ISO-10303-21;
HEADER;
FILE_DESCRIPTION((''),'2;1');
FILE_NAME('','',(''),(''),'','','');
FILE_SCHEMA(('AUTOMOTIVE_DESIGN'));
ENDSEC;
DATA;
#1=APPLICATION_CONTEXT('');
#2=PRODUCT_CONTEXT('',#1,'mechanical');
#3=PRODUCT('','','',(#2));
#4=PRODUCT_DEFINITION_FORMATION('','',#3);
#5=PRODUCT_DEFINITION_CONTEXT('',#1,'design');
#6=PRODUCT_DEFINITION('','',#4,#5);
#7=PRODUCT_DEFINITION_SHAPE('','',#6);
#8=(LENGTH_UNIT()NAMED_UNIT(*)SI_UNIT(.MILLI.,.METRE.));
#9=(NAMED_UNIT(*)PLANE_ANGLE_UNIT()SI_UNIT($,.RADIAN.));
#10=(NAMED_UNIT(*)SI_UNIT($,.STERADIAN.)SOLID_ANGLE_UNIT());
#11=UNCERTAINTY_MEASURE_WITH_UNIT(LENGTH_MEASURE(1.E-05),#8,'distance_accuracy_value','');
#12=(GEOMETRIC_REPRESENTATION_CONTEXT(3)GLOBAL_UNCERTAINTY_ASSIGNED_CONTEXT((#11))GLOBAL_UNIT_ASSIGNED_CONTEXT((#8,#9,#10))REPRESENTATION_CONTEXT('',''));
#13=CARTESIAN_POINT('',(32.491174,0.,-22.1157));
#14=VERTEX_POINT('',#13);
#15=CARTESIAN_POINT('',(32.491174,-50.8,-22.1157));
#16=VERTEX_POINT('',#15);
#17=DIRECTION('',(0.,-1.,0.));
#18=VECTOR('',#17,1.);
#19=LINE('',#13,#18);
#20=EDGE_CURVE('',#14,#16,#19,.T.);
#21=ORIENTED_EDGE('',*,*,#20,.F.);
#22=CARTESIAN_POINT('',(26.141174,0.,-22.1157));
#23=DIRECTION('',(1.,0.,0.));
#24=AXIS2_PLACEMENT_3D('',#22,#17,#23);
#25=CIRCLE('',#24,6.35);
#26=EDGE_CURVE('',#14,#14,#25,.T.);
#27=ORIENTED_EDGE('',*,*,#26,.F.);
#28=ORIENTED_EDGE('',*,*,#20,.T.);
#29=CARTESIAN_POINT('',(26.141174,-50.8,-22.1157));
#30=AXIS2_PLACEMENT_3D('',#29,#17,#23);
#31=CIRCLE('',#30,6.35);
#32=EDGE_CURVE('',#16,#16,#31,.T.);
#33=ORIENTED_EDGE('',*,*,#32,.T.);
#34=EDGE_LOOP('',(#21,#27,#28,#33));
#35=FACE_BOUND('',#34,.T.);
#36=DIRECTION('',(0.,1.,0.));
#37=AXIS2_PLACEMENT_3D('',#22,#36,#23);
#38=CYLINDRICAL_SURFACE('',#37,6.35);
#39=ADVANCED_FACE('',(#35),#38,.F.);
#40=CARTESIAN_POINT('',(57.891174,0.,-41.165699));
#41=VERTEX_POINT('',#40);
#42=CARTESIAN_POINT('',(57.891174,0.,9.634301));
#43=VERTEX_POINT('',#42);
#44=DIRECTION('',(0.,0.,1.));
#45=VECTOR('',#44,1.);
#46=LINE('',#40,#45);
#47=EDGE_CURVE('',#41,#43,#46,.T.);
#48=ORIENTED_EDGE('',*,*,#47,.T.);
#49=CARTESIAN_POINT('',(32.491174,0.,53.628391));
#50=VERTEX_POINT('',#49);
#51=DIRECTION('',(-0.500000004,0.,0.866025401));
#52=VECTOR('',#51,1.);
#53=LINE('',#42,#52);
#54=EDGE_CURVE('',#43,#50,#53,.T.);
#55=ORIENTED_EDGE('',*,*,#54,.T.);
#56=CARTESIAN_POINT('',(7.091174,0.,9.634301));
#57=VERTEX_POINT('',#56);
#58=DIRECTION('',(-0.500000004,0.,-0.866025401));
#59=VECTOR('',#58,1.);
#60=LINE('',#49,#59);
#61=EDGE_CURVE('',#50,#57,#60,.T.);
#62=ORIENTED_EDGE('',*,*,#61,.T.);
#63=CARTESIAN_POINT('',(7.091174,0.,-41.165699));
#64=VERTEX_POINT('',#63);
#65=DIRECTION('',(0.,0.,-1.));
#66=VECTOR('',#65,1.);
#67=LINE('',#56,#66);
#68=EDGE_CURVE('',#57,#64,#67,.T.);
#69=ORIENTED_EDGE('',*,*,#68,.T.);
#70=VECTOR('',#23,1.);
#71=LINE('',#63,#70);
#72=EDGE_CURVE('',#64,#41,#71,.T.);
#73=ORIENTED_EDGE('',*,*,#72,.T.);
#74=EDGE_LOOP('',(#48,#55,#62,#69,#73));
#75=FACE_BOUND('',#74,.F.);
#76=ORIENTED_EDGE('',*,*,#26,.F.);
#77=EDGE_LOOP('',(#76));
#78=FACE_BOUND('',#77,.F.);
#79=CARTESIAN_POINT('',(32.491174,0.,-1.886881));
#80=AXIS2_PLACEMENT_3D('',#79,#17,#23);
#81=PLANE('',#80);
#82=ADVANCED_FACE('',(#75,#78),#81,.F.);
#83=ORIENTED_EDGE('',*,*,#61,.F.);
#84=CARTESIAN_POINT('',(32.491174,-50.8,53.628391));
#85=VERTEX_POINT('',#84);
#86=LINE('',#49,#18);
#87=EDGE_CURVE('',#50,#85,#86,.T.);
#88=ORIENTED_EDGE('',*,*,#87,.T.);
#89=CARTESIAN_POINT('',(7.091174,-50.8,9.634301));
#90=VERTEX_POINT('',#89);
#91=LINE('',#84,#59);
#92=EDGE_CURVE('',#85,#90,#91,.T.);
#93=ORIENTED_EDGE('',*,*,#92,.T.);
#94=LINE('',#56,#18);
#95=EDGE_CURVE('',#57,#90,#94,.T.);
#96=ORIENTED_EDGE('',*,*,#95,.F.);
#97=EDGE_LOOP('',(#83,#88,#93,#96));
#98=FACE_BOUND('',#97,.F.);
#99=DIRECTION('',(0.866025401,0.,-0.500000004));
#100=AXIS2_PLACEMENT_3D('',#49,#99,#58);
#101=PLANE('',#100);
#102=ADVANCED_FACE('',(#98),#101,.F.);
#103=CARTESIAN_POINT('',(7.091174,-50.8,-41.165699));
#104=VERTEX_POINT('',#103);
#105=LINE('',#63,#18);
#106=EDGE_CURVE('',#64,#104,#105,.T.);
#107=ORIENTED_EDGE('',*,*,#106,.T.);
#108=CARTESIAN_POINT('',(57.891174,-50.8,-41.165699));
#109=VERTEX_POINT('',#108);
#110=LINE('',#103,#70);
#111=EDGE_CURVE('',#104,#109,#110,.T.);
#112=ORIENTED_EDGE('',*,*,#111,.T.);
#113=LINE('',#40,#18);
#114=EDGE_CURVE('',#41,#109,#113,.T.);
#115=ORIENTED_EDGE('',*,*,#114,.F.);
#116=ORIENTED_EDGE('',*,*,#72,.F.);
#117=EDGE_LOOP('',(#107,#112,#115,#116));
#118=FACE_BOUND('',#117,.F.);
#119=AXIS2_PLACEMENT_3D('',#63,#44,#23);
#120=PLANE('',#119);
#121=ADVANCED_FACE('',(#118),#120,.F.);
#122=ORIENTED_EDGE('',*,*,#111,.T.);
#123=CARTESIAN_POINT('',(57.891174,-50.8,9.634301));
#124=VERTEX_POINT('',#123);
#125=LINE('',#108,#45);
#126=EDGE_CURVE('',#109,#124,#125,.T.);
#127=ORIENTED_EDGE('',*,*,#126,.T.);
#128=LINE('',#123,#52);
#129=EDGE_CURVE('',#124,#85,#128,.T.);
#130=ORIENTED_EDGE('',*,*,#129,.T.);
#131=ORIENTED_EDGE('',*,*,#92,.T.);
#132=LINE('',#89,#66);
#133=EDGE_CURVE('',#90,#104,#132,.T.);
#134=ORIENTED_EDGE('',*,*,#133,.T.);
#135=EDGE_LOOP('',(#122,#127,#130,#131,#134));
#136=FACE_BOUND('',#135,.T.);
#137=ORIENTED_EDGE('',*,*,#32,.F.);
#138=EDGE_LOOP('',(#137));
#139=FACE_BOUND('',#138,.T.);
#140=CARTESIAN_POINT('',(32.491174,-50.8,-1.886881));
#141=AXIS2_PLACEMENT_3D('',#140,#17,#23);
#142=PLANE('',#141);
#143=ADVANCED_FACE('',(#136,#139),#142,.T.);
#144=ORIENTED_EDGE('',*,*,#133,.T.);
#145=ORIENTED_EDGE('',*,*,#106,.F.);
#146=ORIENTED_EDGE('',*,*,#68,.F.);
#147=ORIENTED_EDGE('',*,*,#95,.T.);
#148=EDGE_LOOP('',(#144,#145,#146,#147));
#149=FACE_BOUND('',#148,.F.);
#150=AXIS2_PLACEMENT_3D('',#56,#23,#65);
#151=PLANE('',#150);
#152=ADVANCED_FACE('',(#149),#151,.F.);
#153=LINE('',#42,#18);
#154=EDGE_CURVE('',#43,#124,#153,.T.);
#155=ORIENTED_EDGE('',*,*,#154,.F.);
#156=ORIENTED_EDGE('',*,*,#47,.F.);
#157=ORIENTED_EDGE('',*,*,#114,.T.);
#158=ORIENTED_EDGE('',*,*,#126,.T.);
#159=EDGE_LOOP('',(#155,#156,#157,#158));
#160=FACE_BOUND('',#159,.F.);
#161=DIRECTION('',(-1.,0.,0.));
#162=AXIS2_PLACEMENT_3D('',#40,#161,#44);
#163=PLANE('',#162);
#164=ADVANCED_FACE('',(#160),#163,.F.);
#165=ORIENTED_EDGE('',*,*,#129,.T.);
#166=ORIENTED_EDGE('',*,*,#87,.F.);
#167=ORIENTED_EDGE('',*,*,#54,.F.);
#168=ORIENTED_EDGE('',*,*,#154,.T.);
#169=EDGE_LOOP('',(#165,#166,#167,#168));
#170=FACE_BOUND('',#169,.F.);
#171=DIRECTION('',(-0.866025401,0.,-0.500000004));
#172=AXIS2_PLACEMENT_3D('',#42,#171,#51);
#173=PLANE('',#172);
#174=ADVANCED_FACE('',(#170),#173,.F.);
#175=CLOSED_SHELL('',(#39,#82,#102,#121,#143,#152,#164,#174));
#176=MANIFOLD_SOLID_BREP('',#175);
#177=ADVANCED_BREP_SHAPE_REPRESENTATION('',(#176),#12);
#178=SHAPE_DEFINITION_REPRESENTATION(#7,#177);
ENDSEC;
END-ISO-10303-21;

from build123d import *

# Parameters (mm, degrees)
F0_R     = 6.35
F1_DEPTH = 50.8
F2_DEPTH = 50.8


with BuildPart() as f1:
    # F0 (on Front) → F1 (new body)
    with BuildSketch(Plane.XZ):
        Polygon((7.091174, 9.634301), (7.091174, -41.165699), (57.891174, -41.165699), (57.891174, 9.634301), (32.491174, 53.628391), align=None)
        with Locations((26.141174, -22.1157)):
            Circle(F0_R, mode=Mode.SUBTRACT)
    extrude(amount=F1_DEPTH)

    # F0 (on Front) → F2 (join)
    with BuildSketch(Plane.XZ):
        Polygon((7.091174, 9.634301), (7.091174, -41.165699), (57.891174, -41.165699), (57.891174, 9.634301), (32.491174, 53.628391), align=None)
        with Locations((26.141174, -22.1157)):
            Circle(F0_R, mode=Mode.SUBTRACT)
    extrude(amount=F2_DEPTH)


solid = f1.part
